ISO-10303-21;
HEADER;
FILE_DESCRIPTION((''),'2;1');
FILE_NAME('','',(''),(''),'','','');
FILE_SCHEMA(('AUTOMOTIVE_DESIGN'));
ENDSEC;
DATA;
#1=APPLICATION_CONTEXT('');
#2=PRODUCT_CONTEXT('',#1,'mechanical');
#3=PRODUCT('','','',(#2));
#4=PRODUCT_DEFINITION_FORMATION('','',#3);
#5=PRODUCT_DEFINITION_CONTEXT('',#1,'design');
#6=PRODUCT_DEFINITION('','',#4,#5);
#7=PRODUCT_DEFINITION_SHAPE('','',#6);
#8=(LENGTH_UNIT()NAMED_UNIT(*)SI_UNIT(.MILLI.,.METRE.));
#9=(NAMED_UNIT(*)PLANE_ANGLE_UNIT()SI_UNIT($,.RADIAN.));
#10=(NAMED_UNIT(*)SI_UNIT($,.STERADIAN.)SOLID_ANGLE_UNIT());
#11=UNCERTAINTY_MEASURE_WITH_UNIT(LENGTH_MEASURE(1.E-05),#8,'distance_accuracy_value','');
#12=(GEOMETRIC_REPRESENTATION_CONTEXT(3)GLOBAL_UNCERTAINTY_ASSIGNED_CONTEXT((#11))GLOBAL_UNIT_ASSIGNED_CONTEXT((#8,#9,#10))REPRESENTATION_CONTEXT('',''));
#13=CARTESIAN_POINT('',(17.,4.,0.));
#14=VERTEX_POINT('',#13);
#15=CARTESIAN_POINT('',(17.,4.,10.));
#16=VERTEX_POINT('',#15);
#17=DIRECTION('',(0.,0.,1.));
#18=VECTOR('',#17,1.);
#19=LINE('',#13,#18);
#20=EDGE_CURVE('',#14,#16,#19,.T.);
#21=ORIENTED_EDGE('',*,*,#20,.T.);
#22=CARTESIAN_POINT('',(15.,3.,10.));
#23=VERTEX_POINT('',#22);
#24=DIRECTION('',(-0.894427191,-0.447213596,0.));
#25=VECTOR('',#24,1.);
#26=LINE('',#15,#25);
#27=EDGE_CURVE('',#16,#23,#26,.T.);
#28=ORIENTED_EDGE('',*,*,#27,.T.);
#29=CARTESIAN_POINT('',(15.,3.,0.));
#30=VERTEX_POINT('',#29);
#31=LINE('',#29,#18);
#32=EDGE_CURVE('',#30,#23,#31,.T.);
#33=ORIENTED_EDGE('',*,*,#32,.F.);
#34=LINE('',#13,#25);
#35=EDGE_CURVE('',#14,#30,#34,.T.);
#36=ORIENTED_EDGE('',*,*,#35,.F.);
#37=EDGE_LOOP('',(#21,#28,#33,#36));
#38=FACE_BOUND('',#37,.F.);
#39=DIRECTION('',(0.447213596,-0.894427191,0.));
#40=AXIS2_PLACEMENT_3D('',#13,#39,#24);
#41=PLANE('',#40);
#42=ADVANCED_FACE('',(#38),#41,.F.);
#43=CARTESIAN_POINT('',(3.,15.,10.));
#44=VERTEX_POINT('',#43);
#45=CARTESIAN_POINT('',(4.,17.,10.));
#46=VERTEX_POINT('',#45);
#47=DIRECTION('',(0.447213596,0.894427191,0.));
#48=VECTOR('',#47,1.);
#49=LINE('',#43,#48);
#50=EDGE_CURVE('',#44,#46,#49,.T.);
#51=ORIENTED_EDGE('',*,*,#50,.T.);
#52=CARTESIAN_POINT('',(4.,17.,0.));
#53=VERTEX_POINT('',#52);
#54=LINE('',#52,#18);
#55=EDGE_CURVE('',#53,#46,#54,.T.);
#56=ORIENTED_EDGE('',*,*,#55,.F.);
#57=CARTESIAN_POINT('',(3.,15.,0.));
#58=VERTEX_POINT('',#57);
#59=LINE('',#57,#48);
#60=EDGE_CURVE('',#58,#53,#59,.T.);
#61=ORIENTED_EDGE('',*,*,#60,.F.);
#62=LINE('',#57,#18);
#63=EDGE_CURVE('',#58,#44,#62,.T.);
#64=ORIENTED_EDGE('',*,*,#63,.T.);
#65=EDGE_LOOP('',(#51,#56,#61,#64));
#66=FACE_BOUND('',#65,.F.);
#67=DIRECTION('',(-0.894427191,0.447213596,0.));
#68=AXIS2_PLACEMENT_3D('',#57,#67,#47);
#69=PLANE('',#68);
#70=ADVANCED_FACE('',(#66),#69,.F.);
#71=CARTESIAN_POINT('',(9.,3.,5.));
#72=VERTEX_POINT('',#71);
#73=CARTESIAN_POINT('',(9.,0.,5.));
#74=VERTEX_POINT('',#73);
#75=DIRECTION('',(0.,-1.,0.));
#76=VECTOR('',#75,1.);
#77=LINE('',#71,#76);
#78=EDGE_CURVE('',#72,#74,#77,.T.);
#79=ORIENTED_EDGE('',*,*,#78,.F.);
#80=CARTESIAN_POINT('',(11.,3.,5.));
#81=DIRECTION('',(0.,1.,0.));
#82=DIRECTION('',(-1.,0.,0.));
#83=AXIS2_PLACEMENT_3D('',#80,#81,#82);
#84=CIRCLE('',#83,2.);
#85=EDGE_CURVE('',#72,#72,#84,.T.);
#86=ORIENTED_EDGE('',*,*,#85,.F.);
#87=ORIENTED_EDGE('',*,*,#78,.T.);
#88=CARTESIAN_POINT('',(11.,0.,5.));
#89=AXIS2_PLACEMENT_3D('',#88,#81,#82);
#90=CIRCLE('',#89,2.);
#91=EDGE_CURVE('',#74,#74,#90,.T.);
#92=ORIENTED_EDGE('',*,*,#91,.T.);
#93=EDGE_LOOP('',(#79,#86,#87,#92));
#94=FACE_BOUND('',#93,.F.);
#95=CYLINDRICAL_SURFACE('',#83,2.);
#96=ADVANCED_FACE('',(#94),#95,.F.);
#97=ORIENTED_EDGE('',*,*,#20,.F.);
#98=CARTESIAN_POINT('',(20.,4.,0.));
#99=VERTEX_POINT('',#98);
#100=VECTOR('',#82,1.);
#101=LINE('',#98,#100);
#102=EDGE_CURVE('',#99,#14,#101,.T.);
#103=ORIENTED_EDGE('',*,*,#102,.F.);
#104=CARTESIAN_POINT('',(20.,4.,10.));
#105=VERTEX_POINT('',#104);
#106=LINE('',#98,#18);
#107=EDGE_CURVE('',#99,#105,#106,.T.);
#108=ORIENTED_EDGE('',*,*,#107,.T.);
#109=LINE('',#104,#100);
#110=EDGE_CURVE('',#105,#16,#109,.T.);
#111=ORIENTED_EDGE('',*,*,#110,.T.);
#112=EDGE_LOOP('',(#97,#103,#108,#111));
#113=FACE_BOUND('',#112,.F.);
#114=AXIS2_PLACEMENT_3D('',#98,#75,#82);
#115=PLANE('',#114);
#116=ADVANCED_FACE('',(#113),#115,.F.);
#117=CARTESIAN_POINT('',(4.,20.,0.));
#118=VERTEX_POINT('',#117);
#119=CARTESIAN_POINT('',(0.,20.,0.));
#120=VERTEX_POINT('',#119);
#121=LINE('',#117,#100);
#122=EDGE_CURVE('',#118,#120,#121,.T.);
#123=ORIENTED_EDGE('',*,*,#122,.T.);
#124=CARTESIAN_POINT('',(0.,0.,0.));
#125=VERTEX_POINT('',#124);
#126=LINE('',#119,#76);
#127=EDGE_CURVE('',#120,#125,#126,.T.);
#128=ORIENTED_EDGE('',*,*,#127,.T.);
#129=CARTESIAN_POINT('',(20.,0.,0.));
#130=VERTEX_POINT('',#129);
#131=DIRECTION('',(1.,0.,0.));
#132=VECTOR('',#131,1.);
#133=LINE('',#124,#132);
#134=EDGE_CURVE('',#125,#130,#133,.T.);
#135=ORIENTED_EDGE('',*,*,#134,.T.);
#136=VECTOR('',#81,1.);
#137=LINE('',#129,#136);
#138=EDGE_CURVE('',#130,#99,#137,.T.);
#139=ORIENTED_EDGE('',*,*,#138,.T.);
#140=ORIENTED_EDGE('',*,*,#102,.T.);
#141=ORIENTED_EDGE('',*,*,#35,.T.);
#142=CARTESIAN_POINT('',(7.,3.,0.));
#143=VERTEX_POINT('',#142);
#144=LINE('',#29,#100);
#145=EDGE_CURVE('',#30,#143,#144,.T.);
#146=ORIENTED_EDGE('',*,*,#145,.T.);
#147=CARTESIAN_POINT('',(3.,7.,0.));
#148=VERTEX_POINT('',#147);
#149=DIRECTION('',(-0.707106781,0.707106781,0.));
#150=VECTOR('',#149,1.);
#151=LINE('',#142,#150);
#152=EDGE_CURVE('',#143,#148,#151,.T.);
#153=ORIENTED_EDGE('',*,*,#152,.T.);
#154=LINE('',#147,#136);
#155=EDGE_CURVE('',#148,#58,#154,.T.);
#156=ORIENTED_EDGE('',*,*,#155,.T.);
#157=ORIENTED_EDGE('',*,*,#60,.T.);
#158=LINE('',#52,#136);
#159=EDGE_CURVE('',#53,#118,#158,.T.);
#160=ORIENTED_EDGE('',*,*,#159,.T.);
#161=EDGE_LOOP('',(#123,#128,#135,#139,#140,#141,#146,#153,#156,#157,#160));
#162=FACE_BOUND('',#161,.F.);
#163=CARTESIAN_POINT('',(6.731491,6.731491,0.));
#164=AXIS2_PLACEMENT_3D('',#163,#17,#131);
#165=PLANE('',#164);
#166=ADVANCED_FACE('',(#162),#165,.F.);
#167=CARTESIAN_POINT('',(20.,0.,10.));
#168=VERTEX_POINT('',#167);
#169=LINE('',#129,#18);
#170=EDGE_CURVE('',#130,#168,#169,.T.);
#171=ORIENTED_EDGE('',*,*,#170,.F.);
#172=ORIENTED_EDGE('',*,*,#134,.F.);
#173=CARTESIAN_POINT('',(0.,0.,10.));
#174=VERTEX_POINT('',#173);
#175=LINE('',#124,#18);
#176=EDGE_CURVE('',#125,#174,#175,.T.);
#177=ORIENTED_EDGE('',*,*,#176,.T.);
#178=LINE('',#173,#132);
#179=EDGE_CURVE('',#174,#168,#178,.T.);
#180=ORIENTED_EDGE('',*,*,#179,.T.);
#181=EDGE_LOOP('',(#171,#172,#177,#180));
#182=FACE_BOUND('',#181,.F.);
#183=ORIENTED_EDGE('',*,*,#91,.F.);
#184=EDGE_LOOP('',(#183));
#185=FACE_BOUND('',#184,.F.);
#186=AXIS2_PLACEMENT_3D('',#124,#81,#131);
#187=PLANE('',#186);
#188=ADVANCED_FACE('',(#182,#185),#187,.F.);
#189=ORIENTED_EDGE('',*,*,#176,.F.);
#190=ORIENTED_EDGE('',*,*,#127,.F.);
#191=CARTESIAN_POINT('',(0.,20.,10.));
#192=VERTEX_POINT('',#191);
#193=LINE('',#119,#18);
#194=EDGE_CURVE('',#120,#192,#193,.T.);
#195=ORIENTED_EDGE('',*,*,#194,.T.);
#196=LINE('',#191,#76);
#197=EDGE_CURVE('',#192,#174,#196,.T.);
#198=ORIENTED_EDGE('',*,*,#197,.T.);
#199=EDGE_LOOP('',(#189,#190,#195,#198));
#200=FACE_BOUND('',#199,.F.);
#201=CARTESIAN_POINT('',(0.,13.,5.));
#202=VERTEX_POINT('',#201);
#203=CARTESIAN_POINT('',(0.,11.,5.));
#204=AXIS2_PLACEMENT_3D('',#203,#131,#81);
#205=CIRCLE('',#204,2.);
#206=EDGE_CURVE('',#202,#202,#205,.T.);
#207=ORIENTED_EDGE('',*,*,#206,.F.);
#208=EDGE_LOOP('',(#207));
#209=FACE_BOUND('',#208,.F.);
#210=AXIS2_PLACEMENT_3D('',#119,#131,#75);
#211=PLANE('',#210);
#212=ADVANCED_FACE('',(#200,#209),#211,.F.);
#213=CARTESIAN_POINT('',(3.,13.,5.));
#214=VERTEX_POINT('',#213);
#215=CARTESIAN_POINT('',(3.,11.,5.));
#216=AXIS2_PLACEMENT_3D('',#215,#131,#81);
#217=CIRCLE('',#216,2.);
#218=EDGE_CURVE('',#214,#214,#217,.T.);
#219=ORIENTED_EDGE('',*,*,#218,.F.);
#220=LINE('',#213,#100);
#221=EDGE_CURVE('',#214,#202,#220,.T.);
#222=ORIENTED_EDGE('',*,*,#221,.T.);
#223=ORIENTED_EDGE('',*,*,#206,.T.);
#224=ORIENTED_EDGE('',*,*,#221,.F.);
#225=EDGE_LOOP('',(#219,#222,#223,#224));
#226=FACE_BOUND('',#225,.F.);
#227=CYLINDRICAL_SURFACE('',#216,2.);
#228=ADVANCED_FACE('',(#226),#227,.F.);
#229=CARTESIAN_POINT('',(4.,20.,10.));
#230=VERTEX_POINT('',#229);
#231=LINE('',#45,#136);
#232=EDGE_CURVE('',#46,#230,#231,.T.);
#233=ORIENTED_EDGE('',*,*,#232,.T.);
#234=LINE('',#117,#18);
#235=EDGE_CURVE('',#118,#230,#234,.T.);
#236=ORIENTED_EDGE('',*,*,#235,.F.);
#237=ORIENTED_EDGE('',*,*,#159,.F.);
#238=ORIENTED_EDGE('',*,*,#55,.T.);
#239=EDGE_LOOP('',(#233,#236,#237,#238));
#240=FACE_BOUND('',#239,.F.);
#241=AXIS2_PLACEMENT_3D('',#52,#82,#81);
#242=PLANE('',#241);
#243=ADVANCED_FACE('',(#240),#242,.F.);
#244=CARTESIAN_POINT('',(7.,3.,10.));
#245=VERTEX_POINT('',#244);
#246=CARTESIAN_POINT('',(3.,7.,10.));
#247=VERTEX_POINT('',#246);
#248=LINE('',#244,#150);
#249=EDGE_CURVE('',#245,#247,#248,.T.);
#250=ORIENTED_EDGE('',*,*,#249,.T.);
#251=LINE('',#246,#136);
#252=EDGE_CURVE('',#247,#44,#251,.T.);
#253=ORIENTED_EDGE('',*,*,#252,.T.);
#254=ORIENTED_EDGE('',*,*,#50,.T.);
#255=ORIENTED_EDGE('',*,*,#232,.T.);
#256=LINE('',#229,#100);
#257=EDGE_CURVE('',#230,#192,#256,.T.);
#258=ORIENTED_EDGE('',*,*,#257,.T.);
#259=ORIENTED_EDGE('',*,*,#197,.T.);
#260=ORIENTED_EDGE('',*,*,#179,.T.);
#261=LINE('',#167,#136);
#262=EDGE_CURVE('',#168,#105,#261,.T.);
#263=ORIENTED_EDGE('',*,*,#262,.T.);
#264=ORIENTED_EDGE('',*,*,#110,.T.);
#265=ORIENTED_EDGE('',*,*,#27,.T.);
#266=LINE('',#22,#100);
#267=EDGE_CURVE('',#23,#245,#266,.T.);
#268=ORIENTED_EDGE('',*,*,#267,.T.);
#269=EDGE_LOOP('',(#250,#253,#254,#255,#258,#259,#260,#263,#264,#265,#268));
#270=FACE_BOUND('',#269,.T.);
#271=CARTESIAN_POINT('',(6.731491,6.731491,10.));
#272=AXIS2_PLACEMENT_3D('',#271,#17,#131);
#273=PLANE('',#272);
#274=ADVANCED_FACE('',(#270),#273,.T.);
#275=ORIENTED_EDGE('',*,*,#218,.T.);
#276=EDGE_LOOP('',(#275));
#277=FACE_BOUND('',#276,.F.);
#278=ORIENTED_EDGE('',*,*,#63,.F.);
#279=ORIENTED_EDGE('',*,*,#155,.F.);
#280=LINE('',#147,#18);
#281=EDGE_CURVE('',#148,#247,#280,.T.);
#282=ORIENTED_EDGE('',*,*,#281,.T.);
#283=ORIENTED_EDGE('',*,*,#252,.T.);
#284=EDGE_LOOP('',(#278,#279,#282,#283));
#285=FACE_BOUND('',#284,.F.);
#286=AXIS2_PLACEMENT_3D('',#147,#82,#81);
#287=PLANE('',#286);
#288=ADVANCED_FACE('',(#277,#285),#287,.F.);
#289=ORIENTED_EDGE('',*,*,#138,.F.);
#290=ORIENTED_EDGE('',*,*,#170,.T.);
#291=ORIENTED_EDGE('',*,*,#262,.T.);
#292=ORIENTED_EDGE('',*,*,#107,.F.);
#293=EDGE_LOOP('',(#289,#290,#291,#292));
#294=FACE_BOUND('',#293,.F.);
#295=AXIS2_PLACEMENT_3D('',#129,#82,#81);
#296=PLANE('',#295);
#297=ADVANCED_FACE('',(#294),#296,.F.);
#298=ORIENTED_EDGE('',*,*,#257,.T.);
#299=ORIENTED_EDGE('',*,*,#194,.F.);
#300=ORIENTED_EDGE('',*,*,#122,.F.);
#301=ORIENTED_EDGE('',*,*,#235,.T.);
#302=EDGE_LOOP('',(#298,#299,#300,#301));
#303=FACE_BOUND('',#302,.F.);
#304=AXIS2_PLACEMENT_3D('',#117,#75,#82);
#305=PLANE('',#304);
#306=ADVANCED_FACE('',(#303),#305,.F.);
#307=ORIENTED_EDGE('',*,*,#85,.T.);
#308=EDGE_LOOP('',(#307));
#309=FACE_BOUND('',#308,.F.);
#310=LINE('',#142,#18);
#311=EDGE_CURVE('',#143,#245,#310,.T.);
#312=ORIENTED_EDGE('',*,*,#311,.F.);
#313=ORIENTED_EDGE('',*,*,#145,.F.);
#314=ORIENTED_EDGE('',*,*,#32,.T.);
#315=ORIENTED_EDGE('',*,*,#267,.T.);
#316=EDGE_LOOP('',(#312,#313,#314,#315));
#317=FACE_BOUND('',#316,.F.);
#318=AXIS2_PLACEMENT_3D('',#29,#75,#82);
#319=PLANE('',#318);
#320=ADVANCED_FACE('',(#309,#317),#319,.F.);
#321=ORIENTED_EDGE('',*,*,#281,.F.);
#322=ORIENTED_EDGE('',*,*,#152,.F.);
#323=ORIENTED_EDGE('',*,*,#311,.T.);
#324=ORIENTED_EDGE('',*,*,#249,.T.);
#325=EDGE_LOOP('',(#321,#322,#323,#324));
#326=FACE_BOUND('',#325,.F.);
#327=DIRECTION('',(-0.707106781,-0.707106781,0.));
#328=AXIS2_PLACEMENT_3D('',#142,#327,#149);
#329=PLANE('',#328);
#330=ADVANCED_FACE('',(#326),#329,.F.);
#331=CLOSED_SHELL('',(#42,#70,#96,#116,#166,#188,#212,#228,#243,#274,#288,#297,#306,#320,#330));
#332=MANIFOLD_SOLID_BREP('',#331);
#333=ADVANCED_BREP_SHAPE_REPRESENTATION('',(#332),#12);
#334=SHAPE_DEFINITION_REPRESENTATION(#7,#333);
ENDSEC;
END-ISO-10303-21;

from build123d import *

# Parameters (mm, degrees)
F1_DEPTH = 10
F2_R     = 2
F3_DEPTH = 5
F4_R     = 2
F5_DEPTH = 5


with BuildPart() as f1:
    # F0 (on Top) → F1 (new body)
    with BuildSketch(Plane.XY):
        Polygon((0, 20), (0, 0), (20, 0), (20, 4), (17, 4), (15, 3), (7, 3), (5, 5), (3, 7), (3, 15), (4, 17), (4, 20), align=None)
    extrude(amount=F1_DEPTH)

    # F2 (on face) → F3 (cut)
    with BuildSketch(Plane.YZ.offset(3)):
        with Locations((11, 5)):
            Circle(F2_R)
    extrude(amount=-F3_DEPTH, mode=Mode.SUBTRACT)

    # F4 (on face) → F5 (cut)
    with BuildSketch(Plane(origin=(0, 3, 0), x_dir=(-1, 0, 0), z_dir=(0, 1, 0))):
        with Locations((-11, 5)):
            Circle(F4_R)
    extrude(amount=-F5_DEPTH, mode=Mode.SUBTRACT)


solid = f1.part
